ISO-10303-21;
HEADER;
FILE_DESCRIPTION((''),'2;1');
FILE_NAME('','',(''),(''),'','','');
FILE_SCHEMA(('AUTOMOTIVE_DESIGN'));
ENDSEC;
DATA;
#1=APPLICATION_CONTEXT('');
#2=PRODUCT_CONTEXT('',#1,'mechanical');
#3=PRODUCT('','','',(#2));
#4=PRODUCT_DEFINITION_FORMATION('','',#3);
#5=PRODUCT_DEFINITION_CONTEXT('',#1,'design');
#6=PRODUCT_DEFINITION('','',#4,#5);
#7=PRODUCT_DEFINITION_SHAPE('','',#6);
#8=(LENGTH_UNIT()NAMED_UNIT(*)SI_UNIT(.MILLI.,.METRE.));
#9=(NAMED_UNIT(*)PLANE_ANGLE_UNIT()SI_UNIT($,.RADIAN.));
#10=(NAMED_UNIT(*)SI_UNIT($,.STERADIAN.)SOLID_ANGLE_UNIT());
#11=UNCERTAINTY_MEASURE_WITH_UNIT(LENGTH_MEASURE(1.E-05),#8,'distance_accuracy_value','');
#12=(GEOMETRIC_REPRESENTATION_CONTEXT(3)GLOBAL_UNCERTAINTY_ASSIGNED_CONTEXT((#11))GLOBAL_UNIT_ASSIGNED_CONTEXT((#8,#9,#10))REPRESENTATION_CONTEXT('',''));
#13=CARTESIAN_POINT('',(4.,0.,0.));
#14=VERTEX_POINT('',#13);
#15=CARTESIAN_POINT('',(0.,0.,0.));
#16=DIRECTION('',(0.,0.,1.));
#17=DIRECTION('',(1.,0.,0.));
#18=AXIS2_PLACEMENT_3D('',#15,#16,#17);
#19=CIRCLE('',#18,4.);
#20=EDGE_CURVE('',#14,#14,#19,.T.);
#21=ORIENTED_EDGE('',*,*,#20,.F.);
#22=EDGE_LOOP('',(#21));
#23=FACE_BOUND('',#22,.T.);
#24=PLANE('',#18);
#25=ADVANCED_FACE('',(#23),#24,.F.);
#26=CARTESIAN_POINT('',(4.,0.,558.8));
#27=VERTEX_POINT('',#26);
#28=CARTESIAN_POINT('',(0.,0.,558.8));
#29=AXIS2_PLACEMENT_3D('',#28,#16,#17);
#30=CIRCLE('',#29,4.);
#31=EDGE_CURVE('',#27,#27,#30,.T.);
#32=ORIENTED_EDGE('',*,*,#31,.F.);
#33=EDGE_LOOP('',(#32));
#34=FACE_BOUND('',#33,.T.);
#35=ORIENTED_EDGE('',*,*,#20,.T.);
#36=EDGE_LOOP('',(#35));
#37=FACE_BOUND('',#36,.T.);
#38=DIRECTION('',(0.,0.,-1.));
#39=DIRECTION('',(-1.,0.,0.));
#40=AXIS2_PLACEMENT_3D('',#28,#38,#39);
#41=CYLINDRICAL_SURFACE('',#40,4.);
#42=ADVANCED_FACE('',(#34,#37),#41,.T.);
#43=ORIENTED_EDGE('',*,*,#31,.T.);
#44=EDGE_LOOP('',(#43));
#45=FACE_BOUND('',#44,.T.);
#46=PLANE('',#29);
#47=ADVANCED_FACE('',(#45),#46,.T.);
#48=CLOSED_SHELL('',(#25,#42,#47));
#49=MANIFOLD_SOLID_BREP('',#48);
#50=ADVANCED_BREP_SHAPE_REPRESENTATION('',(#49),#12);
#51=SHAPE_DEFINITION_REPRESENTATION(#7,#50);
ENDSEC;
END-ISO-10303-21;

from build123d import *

# Parameters (mm, degrees)
SKETCH1_R           = 4
BOSS_EXTRUDE1_DEPTH = 558.8


with BuildPart() as part:
    # Sketch1 → Boss-Extrude1 (new body)
    with BuildSketch(Plane.XY):
        Circle(SKETCH1_R)
    extrude(amount=BOSS_EXTRUDE1_DEPTH)


solid = part.part
